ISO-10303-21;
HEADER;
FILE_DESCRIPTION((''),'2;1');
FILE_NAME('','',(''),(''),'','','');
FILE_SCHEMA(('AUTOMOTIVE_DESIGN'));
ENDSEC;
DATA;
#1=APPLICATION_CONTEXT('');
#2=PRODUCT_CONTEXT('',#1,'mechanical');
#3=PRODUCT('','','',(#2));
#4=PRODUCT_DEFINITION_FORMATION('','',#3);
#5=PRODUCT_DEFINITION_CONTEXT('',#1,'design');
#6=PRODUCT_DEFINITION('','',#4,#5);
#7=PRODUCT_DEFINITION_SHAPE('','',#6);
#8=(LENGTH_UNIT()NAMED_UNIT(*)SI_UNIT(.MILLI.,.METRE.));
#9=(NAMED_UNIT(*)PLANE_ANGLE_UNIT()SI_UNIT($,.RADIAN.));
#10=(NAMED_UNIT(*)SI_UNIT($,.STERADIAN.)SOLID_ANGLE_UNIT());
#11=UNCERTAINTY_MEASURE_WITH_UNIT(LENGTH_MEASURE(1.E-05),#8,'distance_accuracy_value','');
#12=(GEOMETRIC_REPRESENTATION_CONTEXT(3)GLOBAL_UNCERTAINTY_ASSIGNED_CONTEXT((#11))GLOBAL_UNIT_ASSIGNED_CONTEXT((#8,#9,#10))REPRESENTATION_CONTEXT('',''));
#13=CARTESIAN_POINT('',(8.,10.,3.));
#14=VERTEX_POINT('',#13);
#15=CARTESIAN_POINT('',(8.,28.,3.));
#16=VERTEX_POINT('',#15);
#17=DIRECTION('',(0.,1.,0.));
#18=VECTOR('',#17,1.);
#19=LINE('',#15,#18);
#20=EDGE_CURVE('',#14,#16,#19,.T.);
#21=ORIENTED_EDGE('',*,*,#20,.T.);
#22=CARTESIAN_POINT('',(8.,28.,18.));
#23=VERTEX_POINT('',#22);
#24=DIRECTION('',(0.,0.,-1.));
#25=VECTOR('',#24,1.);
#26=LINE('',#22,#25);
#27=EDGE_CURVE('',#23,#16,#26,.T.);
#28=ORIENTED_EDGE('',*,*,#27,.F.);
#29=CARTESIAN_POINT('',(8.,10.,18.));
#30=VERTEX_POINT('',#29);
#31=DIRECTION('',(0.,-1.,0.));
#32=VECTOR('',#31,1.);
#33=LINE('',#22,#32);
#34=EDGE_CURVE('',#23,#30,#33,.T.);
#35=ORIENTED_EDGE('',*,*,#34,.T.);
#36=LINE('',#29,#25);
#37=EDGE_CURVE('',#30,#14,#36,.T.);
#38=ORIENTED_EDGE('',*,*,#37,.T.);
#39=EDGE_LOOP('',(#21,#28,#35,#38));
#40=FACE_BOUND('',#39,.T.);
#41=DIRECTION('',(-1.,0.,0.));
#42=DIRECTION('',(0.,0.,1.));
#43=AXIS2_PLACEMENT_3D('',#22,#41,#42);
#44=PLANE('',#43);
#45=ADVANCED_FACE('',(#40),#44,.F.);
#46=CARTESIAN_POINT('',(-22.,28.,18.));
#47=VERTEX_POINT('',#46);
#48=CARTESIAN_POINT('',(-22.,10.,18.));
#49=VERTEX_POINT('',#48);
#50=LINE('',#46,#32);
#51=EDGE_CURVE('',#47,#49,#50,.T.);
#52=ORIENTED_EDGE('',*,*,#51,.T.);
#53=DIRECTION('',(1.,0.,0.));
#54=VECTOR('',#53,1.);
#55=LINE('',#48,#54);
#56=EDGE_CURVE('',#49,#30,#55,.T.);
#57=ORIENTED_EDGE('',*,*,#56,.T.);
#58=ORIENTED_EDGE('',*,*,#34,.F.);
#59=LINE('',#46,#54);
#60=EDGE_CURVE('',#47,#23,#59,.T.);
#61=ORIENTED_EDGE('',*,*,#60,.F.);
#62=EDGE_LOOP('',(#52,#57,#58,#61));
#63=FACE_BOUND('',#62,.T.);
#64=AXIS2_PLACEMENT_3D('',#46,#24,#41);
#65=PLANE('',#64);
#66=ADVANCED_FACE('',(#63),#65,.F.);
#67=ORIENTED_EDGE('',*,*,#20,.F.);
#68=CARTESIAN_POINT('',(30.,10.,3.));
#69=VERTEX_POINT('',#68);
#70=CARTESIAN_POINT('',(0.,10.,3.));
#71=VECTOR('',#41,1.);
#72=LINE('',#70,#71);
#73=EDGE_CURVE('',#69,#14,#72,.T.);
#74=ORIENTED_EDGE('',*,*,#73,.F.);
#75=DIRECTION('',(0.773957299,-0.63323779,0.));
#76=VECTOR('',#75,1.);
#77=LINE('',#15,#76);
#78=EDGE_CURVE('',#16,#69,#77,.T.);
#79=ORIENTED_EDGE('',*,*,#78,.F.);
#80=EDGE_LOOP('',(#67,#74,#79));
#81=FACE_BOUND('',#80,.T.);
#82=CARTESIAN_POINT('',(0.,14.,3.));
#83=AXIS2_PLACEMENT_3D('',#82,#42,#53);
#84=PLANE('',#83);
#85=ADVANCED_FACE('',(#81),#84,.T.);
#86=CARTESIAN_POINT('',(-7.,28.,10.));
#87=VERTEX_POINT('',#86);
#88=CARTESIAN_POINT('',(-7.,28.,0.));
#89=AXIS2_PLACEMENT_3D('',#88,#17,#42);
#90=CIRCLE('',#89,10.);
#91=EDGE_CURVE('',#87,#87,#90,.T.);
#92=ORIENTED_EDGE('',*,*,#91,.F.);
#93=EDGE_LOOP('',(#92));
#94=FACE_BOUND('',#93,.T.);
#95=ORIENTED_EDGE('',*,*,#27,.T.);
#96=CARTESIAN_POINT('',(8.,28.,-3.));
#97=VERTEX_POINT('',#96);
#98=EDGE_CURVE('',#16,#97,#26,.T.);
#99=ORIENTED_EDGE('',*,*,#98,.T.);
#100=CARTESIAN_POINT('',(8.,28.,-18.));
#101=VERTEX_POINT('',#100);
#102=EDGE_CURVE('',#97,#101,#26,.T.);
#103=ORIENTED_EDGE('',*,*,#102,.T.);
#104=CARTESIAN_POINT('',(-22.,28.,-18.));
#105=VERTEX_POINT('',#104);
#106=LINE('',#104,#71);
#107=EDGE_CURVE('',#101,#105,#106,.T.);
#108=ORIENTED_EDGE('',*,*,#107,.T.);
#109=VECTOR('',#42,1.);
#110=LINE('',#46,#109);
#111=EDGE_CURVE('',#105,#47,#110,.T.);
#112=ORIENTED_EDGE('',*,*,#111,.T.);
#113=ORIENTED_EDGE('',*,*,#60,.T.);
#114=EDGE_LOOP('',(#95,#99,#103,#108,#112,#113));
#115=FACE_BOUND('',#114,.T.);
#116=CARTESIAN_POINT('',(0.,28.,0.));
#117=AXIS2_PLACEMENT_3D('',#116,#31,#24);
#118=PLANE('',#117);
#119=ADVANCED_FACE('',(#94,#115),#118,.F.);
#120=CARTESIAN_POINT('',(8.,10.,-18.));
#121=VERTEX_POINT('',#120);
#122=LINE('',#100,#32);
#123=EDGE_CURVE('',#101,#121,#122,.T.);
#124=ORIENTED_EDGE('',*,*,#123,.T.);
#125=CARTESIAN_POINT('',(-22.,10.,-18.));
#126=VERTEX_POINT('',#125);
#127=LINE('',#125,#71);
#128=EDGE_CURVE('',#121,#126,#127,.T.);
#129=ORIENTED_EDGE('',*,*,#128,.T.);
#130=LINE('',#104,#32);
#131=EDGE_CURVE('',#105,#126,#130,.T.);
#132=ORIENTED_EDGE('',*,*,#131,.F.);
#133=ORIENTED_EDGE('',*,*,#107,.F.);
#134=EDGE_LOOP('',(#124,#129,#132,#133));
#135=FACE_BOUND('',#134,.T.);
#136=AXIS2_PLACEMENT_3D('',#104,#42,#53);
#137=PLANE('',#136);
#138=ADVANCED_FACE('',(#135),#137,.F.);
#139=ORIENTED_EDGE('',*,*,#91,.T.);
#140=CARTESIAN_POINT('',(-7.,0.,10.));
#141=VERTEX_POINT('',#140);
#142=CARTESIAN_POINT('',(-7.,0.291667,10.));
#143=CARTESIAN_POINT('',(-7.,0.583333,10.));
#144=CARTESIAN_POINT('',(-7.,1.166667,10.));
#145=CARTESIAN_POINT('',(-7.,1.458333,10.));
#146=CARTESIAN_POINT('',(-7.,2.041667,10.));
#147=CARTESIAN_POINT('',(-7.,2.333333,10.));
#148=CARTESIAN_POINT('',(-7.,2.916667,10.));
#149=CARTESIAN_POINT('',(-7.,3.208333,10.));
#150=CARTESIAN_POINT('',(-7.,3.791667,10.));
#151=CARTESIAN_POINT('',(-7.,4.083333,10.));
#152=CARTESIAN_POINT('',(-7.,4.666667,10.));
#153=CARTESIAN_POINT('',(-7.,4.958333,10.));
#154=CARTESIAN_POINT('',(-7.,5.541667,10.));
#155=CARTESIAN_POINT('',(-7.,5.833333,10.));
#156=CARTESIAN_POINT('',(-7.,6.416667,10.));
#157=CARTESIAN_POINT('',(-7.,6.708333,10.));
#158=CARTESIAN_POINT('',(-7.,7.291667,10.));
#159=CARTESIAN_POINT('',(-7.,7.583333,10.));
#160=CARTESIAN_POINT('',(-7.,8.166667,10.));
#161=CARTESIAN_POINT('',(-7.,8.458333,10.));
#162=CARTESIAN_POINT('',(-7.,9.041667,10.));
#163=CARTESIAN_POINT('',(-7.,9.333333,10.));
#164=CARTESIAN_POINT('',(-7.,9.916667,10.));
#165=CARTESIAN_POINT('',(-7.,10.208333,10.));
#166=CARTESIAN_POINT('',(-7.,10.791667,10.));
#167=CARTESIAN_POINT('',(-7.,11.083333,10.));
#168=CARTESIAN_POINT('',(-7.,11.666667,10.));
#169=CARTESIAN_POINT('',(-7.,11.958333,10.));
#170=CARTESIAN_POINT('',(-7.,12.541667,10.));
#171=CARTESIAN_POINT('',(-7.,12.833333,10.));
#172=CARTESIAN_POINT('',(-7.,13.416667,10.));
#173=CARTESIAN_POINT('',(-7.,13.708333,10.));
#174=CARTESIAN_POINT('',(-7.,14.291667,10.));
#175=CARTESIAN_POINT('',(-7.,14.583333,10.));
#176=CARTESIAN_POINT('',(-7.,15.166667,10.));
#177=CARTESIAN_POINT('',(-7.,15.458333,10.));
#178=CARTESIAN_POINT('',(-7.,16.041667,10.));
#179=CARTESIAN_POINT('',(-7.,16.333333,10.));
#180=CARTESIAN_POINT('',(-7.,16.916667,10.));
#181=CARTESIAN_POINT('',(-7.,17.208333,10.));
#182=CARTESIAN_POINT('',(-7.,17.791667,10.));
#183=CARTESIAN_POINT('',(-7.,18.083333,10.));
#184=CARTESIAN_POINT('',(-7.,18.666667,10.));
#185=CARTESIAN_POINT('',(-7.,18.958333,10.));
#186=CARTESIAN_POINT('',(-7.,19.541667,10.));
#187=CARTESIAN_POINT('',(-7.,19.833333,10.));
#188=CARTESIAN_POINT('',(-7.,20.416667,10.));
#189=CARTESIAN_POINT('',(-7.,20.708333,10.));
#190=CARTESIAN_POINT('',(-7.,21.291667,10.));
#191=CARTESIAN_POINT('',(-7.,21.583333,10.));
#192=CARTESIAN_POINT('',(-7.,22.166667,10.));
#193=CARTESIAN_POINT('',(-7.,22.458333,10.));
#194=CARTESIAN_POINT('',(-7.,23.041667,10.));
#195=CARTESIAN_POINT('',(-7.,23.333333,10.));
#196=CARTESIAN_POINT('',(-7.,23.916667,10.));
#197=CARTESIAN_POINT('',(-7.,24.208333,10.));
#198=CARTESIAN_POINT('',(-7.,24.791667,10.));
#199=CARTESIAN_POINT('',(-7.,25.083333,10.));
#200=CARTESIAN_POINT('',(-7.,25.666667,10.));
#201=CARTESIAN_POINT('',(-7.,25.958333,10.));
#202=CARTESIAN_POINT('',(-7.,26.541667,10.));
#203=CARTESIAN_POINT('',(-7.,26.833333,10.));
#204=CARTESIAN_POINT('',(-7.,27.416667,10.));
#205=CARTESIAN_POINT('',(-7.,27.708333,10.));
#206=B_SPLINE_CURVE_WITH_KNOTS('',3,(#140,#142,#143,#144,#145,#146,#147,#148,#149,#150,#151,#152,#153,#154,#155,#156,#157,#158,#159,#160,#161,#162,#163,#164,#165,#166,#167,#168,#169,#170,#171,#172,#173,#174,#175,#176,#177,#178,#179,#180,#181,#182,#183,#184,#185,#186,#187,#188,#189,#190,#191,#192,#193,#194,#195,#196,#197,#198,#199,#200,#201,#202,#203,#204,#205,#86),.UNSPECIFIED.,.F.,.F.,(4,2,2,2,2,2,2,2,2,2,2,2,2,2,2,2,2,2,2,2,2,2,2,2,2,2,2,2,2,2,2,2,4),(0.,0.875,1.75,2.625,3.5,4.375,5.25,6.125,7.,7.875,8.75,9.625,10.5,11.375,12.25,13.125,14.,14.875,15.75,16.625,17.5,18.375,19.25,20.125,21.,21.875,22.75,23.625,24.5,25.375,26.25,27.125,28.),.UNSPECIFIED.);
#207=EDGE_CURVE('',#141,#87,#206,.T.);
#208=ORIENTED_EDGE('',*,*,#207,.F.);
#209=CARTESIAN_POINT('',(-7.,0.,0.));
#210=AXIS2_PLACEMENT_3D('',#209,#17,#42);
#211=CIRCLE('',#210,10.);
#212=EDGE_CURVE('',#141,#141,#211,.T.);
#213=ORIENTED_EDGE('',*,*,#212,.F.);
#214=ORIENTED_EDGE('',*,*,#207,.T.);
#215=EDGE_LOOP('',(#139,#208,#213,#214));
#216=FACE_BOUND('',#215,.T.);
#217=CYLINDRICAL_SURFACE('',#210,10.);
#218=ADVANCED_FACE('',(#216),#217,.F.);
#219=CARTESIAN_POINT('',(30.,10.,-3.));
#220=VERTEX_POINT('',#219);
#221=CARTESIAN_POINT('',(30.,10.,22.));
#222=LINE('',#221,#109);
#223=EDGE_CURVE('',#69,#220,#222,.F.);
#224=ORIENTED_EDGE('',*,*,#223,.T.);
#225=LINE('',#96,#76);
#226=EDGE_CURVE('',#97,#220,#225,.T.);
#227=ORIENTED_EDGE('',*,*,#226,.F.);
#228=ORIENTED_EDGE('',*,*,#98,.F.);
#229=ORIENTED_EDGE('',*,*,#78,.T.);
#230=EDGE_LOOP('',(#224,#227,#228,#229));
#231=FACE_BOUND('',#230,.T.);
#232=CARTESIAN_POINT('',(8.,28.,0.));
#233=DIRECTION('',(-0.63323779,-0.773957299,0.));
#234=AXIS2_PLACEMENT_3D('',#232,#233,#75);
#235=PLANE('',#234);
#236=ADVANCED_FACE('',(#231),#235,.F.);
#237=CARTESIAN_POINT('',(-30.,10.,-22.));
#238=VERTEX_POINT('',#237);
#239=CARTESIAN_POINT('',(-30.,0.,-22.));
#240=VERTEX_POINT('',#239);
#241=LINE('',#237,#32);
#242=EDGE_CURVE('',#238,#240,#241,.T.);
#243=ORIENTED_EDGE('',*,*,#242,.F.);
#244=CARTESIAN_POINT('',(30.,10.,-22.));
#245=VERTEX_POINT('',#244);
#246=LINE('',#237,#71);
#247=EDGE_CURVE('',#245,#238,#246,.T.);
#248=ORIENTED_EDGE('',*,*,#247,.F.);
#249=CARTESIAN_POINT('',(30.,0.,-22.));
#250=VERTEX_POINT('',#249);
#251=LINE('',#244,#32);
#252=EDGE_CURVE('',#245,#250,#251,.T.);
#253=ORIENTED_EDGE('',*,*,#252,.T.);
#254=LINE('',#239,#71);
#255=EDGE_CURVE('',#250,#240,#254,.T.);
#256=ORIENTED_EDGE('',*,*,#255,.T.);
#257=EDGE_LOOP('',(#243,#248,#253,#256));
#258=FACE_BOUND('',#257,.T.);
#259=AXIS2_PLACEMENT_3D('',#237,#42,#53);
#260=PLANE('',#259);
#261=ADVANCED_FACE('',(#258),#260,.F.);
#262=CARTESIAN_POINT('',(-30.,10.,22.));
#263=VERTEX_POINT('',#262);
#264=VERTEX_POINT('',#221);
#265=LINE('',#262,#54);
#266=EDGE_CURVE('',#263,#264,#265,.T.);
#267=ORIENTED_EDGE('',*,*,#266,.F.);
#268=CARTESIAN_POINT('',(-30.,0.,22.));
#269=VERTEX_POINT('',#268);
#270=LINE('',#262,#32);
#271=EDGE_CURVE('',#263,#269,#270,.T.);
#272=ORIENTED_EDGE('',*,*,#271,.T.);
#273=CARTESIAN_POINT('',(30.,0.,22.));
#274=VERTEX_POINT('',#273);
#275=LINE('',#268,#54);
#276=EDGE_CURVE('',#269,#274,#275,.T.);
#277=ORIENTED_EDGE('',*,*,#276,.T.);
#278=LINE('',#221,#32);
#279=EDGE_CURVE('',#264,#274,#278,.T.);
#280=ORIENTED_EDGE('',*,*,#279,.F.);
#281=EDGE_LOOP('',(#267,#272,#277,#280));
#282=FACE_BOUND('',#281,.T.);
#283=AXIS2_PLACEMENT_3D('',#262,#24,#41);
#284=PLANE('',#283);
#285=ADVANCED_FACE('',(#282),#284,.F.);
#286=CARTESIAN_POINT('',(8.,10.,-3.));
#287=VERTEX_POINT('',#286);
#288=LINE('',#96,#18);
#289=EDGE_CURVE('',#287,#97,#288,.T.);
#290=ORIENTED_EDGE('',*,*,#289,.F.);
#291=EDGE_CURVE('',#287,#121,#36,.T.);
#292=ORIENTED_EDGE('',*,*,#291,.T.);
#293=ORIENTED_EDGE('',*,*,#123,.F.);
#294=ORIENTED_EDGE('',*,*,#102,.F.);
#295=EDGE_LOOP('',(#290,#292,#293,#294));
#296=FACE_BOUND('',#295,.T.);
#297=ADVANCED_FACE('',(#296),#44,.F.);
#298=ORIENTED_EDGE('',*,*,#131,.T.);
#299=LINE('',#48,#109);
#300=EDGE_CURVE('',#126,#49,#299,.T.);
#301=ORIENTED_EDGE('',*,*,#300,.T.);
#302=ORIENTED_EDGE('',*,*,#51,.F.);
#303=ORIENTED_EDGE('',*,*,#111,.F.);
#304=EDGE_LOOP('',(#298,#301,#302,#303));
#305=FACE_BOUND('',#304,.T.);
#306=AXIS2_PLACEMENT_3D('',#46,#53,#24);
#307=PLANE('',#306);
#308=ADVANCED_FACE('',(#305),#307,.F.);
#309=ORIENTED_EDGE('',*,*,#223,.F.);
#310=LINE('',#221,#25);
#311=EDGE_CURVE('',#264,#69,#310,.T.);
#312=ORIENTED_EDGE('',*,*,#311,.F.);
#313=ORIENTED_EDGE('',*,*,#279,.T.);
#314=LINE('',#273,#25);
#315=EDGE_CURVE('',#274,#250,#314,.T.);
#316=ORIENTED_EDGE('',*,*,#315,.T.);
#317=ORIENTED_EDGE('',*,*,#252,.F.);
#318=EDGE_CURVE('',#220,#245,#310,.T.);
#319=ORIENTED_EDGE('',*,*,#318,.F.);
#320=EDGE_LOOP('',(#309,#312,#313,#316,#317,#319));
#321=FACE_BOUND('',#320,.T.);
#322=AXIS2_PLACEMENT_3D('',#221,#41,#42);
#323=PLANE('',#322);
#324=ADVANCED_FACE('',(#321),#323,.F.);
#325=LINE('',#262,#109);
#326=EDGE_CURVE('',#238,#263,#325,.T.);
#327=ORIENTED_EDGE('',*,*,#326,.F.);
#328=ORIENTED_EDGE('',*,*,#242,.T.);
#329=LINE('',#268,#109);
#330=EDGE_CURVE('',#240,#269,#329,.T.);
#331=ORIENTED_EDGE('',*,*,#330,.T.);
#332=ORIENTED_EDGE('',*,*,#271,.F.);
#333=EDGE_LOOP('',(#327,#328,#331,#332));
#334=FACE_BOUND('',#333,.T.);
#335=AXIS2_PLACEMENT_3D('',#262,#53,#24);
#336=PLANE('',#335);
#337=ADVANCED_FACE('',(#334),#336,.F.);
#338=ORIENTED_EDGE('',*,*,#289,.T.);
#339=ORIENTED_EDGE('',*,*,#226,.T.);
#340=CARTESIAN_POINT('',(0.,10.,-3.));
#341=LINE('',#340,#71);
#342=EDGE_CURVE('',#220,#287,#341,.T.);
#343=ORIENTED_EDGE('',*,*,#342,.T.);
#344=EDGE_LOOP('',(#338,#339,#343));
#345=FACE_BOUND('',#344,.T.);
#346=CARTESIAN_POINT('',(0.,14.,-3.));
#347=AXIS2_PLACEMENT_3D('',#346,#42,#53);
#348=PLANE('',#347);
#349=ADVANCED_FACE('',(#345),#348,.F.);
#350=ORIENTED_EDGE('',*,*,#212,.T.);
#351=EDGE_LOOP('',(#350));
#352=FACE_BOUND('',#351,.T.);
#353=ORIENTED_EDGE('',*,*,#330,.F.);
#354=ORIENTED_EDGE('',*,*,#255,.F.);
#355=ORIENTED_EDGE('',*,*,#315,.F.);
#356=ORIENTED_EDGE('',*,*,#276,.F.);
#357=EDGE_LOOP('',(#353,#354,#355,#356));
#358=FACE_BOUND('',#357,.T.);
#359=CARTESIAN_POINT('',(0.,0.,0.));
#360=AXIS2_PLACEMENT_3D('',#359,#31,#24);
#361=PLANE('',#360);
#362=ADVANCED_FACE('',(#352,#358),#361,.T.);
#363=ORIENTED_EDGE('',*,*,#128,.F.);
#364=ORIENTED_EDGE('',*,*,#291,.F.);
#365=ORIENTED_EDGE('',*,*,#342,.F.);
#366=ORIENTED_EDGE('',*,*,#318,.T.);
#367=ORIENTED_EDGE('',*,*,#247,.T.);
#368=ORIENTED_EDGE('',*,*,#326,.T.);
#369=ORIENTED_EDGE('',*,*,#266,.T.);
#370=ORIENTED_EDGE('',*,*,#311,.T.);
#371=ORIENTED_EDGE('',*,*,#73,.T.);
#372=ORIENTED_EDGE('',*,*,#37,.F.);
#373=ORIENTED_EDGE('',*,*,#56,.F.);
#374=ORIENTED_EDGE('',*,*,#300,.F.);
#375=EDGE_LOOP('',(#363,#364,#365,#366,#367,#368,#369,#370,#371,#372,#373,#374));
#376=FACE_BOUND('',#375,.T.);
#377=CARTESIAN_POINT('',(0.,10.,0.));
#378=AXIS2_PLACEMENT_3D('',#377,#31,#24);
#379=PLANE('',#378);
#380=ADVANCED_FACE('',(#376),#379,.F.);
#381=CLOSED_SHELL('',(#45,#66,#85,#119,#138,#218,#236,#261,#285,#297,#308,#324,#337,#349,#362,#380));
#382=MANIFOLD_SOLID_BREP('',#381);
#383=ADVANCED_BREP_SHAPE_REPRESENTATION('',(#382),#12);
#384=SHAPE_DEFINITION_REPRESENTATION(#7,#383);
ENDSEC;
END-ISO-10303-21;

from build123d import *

# Parameters (mm, degrees)
SKETCH_1_W          = 60
SKETCH_1_H          = 44
EXTRUDE_1_DEPTH     = 10
SKETCH_2_W          = 30
SKETCH_2_H          = 36
EXTRUDE_2_DEPTH     = 18
SKETCH_3_R          = 10
CUT_EXTRUDE_1_DEPTH = 47.561786907
RIB_1_REACH         = 48.562
SKETCH_5_WALL_W     = 123.548914622
SKETCH_5_WALL_H     = 6


with BuildPart() as part:
    # 草图1 → 凸台-拉伸1 (new body)
    with BuildSketch(Plane(origin=(0, 0, 0), x_dir=(1, 0, 0), z_dir=(0, 1, 0))):
        Rectangle(SKETCH_1_W, SKETCH_1_H)
    extrude(amount=EXTRUDE_1_DEPTH)

    # 草图2 → 凸台-拉伸2 (add)
    with BuildSketch(Plane(origin=(0, 10, 0), x_dir=(1, 0, 0), z_dir=(0, 1, 0))):
        with Locations((-7, 0)):
            Rectangle(SKETCH_2_W, SKETCH_2_H)
    extrude(amount=EXTRUDE_2_DEPTH)

    # 草图3 → 切除-拉伸1 (cut, through all)
    with BuildSketch(Plane(origin=(0, 28, 0), x_dir=(1, 0, 0), z_dir=(0, 1, 0))):
        with Locations(Location((-7, 0, 0), (0, 0, 270))):
            Circle(SKETCH_3_R)
    extrude(amount=-CUT_EXTRUDE_1_DEPTH, mode=Mode.SUBTRACT)

    # 草图5 wall → 筋1 (add, up to next)
    with BuildSketch(Plane(origin=(19, 19, 0), x_dir=(0.773957299203, -0.633237790257, 0), z_dir=(0.633237790257, 0.773957299203, 0)), mode=Mode.PRIVATE) as rib_1_sk1:
        Rectangle(SKETCH_5_WALL_W, SKETCH_5_WALL_H)
    rib_1_tool1 = extrude(rib_1_sk1.sketch, amount=-RIB_1_REACH, mode=Mode.PRIVATE) - part.part
    add(rib_1_tool1.solids().sort_by_distance((19, 19, 0))[0])


solid = part.part
